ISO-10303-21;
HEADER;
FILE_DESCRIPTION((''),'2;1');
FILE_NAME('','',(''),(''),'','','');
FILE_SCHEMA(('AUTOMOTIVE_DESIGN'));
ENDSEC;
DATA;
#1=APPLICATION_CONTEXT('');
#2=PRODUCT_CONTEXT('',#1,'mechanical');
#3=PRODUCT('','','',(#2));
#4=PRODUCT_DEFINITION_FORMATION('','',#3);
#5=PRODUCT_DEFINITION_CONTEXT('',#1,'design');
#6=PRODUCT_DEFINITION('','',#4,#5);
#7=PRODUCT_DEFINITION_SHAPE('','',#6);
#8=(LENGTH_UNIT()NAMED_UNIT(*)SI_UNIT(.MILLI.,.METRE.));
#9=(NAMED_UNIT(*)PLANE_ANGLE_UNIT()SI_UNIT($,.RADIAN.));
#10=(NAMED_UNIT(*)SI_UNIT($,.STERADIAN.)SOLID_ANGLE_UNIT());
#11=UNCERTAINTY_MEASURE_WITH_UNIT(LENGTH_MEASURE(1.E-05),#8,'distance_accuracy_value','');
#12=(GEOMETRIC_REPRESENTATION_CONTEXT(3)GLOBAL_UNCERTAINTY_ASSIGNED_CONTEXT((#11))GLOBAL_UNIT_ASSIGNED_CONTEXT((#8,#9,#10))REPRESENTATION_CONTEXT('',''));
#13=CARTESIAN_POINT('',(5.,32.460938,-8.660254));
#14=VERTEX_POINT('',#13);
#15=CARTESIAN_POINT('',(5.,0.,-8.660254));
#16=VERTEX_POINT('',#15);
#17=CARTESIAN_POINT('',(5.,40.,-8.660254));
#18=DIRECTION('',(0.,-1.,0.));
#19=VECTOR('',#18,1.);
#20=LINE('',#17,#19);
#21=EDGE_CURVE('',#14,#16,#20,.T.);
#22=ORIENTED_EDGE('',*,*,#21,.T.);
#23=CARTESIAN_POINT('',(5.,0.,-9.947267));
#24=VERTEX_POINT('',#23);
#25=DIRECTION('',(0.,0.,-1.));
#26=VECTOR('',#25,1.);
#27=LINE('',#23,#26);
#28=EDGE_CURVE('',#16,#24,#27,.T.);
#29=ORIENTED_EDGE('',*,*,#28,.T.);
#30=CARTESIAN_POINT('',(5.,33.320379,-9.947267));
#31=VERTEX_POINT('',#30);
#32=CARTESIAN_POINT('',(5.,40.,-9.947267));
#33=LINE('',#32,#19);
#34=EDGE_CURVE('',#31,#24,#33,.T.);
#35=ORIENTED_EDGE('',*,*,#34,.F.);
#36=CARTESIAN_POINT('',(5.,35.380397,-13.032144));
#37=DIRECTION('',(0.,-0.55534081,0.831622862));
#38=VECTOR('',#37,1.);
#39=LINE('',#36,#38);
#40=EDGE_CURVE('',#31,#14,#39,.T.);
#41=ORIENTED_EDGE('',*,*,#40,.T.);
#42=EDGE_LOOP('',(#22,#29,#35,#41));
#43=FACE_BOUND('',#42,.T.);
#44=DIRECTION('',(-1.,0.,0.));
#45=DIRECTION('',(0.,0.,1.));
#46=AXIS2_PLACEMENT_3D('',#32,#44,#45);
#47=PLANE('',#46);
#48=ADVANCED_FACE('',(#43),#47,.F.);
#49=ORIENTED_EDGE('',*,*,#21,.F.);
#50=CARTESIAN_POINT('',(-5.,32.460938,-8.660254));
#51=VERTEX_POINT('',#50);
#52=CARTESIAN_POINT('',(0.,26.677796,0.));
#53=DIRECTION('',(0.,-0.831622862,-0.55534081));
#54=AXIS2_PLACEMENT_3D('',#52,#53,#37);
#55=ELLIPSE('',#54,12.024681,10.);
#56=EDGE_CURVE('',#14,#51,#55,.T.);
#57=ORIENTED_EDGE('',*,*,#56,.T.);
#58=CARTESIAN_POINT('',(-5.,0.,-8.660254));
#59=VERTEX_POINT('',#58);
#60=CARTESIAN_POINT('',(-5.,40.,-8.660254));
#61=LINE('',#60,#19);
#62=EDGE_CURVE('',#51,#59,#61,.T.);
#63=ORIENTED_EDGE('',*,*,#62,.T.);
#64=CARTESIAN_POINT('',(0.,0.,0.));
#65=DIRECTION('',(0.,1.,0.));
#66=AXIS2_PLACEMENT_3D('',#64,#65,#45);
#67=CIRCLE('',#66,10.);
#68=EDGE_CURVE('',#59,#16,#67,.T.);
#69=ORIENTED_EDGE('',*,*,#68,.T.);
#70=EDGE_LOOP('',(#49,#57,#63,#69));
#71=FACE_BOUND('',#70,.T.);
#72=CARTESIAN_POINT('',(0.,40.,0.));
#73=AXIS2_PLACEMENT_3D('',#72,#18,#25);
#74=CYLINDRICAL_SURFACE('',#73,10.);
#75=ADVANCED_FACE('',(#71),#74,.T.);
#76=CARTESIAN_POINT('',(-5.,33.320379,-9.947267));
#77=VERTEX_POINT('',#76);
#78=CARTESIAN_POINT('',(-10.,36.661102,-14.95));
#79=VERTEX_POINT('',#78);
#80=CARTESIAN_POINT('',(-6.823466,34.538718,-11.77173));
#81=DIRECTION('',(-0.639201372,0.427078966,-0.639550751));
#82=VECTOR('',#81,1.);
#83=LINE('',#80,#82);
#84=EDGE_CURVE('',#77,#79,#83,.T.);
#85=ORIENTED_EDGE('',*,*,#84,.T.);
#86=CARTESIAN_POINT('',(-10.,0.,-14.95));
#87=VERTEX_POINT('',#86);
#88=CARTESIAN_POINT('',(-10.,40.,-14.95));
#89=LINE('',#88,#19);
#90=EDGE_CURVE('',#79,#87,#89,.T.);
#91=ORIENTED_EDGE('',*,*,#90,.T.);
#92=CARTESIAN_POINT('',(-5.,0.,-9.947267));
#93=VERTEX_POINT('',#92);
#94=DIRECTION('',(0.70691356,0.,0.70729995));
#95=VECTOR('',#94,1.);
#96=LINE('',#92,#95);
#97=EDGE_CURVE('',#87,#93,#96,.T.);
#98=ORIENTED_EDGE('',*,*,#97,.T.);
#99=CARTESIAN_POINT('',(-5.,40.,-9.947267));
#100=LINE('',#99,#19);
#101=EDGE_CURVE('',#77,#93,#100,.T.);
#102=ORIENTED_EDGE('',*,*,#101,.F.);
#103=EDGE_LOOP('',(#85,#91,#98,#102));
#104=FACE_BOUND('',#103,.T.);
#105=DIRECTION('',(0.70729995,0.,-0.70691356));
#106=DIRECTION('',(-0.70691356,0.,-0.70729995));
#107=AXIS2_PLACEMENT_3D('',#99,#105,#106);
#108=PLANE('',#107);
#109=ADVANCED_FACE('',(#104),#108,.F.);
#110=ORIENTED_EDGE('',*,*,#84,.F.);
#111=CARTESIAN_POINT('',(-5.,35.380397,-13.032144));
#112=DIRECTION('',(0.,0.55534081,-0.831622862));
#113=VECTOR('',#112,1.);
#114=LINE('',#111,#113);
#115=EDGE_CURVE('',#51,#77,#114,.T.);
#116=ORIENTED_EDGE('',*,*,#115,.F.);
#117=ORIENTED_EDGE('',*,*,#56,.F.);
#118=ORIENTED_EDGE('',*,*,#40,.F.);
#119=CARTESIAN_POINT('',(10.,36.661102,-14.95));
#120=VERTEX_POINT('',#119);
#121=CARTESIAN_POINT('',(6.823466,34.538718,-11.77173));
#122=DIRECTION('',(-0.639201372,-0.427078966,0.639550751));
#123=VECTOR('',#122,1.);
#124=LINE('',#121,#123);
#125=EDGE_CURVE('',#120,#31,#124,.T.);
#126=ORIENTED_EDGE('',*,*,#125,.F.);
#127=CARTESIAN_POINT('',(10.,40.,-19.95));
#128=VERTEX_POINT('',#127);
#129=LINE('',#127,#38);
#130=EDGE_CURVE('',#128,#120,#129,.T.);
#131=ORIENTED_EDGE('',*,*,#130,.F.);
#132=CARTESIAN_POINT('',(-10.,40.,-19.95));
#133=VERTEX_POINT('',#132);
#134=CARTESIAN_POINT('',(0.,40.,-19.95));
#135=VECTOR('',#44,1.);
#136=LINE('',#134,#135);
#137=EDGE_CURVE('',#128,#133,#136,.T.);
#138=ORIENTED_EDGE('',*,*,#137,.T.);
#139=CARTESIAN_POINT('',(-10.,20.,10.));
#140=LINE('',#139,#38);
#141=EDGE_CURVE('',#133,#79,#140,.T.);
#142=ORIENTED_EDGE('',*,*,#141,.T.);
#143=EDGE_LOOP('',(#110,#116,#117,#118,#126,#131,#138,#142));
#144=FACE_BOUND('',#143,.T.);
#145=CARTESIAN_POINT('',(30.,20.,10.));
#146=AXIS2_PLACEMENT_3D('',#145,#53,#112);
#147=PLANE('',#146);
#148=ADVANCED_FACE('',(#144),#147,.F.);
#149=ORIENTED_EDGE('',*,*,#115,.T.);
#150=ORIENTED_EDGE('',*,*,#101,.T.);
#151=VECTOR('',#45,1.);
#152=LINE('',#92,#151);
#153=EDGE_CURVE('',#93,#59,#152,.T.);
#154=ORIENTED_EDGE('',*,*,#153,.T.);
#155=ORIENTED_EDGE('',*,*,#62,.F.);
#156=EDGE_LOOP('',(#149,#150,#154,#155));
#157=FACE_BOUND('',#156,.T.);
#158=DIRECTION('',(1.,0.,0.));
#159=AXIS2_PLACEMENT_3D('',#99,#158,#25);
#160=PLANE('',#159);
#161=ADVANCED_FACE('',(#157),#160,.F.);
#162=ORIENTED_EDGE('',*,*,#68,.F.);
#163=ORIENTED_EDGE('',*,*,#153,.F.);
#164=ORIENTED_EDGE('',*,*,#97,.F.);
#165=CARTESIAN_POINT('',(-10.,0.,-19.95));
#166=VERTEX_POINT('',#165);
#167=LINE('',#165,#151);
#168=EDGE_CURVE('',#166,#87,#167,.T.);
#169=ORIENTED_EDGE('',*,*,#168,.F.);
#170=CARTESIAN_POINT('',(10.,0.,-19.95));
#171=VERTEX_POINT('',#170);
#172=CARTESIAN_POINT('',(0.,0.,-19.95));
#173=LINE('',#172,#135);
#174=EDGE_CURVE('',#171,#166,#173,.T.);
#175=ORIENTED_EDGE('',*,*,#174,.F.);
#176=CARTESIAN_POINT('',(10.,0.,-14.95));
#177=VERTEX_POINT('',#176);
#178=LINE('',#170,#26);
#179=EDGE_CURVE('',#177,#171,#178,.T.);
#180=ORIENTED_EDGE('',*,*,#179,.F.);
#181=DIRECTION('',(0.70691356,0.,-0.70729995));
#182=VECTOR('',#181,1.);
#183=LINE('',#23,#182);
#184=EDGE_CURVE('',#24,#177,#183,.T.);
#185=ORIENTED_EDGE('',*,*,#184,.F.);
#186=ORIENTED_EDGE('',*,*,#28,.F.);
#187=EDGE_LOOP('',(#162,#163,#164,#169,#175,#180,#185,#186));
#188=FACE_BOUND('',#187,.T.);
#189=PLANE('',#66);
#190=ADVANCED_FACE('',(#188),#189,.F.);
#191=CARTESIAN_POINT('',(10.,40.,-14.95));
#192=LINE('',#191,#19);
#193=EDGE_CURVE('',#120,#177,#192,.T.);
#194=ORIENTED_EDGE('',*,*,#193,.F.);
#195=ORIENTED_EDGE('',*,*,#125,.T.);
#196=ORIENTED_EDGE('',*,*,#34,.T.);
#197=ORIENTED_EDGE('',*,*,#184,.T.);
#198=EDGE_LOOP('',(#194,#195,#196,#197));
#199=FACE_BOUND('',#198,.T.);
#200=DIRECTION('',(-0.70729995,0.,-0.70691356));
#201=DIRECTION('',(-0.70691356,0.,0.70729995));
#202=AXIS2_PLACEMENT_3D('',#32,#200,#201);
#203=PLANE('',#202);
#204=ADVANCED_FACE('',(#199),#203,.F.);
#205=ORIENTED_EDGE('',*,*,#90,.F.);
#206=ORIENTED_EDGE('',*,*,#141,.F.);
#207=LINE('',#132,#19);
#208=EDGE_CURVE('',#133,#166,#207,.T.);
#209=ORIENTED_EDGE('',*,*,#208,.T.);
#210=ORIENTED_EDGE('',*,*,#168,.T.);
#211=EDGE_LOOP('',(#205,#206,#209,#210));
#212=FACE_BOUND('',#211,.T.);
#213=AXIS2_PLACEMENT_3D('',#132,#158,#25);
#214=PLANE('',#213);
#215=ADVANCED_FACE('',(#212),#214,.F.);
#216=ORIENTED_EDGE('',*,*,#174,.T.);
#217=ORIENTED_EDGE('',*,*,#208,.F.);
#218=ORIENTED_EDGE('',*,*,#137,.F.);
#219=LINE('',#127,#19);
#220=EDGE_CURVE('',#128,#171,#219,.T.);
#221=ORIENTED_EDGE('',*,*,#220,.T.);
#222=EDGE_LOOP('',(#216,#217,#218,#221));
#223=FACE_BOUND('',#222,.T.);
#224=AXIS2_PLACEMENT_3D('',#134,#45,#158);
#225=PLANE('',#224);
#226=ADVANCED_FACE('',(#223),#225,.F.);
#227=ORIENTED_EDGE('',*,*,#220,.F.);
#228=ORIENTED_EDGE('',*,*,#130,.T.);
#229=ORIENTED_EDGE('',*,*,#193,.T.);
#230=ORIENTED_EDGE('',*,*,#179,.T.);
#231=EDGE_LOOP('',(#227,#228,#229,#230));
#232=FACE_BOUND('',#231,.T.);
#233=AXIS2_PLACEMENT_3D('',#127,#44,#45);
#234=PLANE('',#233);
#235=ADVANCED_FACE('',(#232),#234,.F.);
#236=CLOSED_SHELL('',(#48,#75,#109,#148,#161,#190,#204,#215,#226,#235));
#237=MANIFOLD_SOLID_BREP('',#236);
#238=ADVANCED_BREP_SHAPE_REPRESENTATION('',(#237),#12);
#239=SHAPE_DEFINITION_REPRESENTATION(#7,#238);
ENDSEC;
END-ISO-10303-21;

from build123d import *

# Parameters (mm, degrees)
EXTRUDE_1_DEPTH     = 40
CUT_EXTRUDE_1_DEPTH = 40


with BuildPart() as part:
    # 草图1 → 凸台-拉伸1 (new body)
    with BuildSketch(Plane(origin=(0, 0, 0), x_dir=(1, 0, 0), z_dir=(0, 1, 0))):
        with BuildLine():
            Line((0, 19.95), (10, 19.95))
            Line((10, 19.95), (10, 14.95))
            Line((10, 14.95), (5, 9.947267065))
            Line((5, 9.947267065), (5, 8.660254038))
            ThreePointArc((5, 8.660254038), (0, -10), (-5, 8.660254038))
            Line((-5, 8.660254038), (-5, 9.947267065))
            Line((-5, 9.947267065), (-10, 14.95))
            Line((-10, 14.95), (-10, 19.95))
            Line((-10, 19.95), (0, 19.95))
        make_face()
    extrude(amount=EXTRUDE_1_DEPTH)

    # 草图3 → 切除-拉伸1 (cut)
    with BuildSketch(Plane.ZY.offset(10)):
        Polygon((10, 20), (-19.95, 40), (10, 40), align=None)
    extrude(amount=-CUT_EXTRUDE_1_DEPTH, mode=Mode.SUBTRACT)


solid = part.part
